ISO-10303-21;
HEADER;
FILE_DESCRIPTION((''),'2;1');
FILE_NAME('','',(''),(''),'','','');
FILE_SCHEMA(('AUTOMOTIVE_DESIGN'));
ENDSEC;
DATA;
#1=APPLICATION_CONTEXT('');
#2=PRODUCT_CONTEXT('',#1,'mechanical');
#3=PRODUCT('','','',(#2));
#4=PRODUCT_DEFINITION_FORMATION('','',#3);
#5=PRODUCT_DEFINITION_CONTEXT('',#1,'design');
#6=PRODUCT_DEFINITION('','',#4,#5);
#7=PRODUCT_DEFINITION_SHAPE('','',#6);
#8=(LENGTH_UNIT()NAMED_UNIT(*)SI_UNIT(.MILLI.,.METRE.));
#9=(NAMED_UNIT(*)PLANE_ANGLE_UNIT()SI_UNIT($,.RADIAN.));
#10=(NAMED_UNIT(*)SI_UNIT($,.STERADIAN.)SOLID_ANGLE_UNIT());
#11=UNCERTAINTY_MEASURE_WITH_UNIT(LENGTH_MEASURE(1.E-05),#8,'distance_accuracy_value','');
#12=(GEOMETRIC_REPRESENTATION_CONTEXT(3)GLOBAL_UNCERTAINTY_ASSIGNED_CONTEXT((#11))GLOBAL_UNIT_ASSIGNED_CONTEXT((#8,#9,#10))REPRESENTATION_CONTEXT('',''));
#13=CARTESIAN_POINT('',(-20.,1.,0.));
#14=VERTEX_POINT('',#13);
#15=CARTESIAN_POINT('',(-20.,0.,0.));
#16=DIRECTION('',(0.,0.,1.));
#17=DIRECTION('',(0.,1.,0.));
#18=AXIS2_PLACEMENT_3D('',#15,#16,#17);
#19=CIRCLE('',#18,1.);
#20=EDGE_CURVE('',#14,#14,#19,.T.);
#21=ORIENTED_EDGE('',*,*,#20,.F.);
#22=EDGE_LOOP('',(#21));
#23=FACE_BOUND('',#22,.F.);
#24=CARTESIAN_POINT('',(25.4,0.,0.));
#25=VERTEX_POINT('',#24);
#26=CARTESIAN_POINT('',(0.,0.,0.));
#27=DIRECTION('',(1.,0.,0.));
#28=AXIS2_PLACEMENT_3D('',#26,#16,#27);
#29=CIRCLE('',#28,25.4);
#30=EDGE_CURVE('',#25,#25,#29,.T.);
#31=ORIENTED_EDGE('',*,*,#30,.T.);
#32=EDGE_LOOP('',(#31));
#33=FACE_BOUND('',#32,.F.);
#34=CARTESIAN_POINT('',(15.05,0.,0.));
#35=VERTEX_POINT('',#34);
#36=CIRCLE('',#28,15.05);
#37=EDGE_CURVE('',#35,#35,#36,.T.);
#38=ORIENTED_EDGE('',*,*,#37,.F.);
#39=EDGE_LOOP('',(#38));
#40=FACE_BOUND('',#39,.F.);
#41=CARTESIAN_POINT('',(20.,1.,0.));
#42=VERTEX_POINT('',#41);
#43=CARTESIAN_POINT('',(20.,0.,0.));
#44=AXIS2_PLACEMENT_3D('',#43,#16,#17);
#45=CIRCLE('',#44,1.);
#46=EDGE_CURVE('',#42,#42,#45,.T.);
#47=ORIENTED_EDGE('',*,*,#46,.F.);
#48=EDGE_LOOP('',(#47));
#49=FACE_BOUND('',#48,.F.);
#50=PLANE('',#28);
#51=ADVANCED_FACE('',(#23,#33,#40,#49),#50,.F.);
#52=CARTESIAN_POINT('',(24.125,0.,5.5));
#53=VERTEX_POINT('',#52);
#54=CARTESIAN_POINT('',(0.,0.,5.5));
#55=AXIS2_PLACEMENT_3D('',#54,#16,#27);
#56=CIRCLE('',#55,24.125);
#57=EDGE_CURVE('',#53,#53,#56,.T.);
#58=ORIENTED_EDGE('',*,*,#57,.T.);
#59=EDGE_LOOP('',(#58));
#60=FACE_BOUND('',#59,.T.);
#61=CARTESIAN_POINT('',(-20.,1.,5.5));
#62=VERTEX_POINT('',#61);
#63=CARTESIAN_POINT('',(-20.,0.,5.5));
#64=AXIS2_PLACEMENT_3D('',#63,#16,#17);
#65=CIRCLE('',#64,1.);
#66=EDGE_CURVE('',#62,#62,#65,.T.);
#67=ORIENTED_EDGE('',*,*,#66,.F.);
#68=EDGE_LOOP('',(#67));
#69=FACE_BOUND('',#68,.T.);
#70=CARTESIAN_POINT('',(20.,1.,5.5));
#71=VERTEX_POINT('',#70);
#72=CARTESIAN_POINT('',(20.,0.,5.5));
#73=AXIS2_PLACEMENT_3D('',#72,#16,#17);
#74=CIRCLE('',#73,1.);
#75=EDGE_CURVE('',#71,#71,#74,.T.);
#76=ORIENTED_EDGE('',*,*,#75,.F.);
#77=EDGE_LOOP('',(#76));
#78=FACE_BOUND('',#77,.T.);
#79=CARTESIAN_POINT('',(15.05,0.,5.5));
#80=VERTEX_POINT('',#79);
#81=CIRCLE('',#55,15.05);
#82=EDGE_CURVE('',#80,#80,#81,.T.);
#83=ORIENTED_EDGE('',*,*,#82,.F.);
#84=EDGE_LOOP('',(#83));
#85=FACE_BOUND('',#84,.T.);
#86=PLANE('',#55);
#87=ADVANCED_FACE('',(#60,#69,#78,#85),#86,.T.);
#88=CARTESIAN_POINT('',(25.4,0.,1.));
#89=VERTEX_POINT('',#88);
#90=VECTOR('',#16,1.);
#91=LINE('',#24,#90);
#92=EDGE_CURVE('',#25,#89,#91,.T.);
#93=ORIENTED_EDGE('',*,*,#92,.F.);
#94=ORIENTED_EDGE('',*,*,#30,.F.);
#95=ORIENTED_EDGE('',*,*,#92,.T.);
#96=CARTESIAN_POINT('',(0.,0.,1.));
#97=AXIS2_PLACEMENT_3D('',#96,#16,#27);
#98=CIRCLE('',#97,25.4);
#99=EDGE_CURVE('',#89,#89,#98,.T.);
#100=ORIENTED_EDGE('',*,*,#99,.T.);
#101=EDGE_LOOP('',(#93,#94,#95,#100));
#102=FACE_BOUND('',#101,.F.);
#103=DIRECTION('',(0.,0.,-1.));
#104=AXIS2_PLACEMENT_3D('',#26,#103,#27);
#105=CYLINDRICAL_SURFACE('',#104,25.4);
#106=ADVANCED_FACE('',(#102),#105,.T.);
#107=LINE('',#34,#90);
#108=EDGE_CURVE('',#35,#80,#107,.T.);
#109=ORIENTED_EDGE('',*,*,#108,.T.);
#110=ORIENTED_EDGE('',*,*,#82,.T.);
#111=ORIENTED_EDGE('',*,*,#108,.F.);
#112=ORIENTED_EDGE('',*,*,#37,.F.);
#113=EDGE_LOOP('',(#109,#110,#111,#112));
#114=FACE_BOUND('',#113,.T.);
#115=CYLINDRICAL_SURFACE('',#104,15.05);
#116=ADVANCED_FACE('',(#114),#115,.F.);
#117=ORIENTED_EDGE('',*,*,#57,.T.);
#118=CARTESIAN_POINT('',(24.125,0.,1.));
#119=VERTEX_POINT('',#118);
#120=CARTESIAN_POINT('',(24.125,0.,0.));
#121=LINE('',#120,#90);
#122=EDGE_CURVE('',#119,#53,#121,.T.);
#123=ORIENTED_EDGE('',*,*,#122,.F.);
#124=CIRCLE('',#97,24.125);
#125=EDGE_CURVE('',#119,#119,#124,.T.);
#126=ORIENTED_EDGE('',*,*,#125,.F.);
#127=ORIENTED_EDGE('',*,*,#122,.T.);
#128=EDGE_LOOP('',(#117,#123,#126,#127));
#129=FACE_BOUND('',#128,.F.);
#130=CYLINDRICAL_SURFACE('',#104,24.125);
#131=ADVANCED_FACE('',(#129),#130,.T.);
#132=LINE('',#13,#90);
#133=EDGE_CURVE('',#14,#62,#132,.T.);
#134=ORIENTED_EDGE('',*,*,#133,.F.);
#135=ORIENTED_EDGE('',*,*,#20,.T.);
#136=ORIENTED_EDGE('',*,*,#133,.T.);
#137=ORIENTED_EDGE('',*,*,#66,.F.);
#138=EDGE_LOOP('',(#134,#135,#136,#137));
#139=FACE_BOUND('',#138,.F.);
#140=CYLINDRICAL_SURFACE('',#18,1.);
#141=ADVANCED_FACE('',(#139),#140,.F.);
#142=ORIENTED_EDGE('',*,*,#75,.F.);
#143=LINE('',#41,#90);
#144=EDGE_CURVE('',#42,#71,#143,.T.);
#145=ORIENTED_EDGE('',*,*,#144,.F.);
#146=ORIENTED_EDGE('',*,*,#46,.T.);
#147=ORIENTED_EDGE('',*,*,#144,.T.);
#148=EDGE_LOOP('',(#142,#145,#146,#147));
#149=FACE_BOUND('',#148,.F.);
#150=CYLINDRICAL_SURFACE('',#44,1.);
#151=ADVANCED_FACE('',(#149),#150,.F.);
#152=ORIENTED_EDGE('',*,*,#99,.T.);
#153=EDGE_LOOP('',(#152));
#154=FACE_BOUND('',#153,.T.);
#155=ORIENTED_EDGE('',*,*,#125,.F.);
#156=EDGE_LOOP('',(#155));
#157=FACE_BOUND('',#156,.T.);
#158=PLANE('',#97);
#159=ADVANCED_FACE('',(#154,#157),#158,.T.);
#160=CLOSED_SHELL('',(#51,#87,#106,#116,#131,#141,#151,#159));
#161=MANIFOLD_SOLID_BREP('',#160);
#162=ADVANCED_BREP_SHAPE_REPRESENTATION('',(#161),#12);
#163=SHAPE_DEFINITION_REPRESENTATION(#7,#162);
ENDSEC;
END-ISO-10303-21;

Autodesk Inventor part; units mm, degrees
ref_plane "YZ Plane" through (0, 0, 0) normal (1, 0, 0) x (0, 1, 0)
ref_plane "XZ Plane" through (0, 0, 0) normal (0, 1, 0) x (-1, 0, 0)
ref_plane "XY Plane" through (0, 0, 0) normal (0, 0, 1) x (1, 0, 0)
sketch "Sketch1" plane through (0, 0, 0) normal (0, 0, 1) x (1, 0, 0)
  circle A0 centre (0, 0) radius 15.05
  circle A1 centre (0, 0) radius 24.125
  circle A2 centre (0, 0) radius 25.4
  point P0 (-20, 0)
  point P1 (20, 0)
  dimension "d0" = 30.1
  dimension "d1" = 48.25
  dimension "d2" = 50.8
extrude "Extrusion1" add sketch "Sketch1" along normal blind 5.5 contours A1
extrude "Extrusion2" add sketch "Sketch1" along normal blind 1 contours A2
hole "Hole1" at (-20, 0, 0) at (20, 0, 0) direction (0, 0, 1) diameter 2 end through all
properties part number "Adapter-MitutoyoMT1-SM2"
